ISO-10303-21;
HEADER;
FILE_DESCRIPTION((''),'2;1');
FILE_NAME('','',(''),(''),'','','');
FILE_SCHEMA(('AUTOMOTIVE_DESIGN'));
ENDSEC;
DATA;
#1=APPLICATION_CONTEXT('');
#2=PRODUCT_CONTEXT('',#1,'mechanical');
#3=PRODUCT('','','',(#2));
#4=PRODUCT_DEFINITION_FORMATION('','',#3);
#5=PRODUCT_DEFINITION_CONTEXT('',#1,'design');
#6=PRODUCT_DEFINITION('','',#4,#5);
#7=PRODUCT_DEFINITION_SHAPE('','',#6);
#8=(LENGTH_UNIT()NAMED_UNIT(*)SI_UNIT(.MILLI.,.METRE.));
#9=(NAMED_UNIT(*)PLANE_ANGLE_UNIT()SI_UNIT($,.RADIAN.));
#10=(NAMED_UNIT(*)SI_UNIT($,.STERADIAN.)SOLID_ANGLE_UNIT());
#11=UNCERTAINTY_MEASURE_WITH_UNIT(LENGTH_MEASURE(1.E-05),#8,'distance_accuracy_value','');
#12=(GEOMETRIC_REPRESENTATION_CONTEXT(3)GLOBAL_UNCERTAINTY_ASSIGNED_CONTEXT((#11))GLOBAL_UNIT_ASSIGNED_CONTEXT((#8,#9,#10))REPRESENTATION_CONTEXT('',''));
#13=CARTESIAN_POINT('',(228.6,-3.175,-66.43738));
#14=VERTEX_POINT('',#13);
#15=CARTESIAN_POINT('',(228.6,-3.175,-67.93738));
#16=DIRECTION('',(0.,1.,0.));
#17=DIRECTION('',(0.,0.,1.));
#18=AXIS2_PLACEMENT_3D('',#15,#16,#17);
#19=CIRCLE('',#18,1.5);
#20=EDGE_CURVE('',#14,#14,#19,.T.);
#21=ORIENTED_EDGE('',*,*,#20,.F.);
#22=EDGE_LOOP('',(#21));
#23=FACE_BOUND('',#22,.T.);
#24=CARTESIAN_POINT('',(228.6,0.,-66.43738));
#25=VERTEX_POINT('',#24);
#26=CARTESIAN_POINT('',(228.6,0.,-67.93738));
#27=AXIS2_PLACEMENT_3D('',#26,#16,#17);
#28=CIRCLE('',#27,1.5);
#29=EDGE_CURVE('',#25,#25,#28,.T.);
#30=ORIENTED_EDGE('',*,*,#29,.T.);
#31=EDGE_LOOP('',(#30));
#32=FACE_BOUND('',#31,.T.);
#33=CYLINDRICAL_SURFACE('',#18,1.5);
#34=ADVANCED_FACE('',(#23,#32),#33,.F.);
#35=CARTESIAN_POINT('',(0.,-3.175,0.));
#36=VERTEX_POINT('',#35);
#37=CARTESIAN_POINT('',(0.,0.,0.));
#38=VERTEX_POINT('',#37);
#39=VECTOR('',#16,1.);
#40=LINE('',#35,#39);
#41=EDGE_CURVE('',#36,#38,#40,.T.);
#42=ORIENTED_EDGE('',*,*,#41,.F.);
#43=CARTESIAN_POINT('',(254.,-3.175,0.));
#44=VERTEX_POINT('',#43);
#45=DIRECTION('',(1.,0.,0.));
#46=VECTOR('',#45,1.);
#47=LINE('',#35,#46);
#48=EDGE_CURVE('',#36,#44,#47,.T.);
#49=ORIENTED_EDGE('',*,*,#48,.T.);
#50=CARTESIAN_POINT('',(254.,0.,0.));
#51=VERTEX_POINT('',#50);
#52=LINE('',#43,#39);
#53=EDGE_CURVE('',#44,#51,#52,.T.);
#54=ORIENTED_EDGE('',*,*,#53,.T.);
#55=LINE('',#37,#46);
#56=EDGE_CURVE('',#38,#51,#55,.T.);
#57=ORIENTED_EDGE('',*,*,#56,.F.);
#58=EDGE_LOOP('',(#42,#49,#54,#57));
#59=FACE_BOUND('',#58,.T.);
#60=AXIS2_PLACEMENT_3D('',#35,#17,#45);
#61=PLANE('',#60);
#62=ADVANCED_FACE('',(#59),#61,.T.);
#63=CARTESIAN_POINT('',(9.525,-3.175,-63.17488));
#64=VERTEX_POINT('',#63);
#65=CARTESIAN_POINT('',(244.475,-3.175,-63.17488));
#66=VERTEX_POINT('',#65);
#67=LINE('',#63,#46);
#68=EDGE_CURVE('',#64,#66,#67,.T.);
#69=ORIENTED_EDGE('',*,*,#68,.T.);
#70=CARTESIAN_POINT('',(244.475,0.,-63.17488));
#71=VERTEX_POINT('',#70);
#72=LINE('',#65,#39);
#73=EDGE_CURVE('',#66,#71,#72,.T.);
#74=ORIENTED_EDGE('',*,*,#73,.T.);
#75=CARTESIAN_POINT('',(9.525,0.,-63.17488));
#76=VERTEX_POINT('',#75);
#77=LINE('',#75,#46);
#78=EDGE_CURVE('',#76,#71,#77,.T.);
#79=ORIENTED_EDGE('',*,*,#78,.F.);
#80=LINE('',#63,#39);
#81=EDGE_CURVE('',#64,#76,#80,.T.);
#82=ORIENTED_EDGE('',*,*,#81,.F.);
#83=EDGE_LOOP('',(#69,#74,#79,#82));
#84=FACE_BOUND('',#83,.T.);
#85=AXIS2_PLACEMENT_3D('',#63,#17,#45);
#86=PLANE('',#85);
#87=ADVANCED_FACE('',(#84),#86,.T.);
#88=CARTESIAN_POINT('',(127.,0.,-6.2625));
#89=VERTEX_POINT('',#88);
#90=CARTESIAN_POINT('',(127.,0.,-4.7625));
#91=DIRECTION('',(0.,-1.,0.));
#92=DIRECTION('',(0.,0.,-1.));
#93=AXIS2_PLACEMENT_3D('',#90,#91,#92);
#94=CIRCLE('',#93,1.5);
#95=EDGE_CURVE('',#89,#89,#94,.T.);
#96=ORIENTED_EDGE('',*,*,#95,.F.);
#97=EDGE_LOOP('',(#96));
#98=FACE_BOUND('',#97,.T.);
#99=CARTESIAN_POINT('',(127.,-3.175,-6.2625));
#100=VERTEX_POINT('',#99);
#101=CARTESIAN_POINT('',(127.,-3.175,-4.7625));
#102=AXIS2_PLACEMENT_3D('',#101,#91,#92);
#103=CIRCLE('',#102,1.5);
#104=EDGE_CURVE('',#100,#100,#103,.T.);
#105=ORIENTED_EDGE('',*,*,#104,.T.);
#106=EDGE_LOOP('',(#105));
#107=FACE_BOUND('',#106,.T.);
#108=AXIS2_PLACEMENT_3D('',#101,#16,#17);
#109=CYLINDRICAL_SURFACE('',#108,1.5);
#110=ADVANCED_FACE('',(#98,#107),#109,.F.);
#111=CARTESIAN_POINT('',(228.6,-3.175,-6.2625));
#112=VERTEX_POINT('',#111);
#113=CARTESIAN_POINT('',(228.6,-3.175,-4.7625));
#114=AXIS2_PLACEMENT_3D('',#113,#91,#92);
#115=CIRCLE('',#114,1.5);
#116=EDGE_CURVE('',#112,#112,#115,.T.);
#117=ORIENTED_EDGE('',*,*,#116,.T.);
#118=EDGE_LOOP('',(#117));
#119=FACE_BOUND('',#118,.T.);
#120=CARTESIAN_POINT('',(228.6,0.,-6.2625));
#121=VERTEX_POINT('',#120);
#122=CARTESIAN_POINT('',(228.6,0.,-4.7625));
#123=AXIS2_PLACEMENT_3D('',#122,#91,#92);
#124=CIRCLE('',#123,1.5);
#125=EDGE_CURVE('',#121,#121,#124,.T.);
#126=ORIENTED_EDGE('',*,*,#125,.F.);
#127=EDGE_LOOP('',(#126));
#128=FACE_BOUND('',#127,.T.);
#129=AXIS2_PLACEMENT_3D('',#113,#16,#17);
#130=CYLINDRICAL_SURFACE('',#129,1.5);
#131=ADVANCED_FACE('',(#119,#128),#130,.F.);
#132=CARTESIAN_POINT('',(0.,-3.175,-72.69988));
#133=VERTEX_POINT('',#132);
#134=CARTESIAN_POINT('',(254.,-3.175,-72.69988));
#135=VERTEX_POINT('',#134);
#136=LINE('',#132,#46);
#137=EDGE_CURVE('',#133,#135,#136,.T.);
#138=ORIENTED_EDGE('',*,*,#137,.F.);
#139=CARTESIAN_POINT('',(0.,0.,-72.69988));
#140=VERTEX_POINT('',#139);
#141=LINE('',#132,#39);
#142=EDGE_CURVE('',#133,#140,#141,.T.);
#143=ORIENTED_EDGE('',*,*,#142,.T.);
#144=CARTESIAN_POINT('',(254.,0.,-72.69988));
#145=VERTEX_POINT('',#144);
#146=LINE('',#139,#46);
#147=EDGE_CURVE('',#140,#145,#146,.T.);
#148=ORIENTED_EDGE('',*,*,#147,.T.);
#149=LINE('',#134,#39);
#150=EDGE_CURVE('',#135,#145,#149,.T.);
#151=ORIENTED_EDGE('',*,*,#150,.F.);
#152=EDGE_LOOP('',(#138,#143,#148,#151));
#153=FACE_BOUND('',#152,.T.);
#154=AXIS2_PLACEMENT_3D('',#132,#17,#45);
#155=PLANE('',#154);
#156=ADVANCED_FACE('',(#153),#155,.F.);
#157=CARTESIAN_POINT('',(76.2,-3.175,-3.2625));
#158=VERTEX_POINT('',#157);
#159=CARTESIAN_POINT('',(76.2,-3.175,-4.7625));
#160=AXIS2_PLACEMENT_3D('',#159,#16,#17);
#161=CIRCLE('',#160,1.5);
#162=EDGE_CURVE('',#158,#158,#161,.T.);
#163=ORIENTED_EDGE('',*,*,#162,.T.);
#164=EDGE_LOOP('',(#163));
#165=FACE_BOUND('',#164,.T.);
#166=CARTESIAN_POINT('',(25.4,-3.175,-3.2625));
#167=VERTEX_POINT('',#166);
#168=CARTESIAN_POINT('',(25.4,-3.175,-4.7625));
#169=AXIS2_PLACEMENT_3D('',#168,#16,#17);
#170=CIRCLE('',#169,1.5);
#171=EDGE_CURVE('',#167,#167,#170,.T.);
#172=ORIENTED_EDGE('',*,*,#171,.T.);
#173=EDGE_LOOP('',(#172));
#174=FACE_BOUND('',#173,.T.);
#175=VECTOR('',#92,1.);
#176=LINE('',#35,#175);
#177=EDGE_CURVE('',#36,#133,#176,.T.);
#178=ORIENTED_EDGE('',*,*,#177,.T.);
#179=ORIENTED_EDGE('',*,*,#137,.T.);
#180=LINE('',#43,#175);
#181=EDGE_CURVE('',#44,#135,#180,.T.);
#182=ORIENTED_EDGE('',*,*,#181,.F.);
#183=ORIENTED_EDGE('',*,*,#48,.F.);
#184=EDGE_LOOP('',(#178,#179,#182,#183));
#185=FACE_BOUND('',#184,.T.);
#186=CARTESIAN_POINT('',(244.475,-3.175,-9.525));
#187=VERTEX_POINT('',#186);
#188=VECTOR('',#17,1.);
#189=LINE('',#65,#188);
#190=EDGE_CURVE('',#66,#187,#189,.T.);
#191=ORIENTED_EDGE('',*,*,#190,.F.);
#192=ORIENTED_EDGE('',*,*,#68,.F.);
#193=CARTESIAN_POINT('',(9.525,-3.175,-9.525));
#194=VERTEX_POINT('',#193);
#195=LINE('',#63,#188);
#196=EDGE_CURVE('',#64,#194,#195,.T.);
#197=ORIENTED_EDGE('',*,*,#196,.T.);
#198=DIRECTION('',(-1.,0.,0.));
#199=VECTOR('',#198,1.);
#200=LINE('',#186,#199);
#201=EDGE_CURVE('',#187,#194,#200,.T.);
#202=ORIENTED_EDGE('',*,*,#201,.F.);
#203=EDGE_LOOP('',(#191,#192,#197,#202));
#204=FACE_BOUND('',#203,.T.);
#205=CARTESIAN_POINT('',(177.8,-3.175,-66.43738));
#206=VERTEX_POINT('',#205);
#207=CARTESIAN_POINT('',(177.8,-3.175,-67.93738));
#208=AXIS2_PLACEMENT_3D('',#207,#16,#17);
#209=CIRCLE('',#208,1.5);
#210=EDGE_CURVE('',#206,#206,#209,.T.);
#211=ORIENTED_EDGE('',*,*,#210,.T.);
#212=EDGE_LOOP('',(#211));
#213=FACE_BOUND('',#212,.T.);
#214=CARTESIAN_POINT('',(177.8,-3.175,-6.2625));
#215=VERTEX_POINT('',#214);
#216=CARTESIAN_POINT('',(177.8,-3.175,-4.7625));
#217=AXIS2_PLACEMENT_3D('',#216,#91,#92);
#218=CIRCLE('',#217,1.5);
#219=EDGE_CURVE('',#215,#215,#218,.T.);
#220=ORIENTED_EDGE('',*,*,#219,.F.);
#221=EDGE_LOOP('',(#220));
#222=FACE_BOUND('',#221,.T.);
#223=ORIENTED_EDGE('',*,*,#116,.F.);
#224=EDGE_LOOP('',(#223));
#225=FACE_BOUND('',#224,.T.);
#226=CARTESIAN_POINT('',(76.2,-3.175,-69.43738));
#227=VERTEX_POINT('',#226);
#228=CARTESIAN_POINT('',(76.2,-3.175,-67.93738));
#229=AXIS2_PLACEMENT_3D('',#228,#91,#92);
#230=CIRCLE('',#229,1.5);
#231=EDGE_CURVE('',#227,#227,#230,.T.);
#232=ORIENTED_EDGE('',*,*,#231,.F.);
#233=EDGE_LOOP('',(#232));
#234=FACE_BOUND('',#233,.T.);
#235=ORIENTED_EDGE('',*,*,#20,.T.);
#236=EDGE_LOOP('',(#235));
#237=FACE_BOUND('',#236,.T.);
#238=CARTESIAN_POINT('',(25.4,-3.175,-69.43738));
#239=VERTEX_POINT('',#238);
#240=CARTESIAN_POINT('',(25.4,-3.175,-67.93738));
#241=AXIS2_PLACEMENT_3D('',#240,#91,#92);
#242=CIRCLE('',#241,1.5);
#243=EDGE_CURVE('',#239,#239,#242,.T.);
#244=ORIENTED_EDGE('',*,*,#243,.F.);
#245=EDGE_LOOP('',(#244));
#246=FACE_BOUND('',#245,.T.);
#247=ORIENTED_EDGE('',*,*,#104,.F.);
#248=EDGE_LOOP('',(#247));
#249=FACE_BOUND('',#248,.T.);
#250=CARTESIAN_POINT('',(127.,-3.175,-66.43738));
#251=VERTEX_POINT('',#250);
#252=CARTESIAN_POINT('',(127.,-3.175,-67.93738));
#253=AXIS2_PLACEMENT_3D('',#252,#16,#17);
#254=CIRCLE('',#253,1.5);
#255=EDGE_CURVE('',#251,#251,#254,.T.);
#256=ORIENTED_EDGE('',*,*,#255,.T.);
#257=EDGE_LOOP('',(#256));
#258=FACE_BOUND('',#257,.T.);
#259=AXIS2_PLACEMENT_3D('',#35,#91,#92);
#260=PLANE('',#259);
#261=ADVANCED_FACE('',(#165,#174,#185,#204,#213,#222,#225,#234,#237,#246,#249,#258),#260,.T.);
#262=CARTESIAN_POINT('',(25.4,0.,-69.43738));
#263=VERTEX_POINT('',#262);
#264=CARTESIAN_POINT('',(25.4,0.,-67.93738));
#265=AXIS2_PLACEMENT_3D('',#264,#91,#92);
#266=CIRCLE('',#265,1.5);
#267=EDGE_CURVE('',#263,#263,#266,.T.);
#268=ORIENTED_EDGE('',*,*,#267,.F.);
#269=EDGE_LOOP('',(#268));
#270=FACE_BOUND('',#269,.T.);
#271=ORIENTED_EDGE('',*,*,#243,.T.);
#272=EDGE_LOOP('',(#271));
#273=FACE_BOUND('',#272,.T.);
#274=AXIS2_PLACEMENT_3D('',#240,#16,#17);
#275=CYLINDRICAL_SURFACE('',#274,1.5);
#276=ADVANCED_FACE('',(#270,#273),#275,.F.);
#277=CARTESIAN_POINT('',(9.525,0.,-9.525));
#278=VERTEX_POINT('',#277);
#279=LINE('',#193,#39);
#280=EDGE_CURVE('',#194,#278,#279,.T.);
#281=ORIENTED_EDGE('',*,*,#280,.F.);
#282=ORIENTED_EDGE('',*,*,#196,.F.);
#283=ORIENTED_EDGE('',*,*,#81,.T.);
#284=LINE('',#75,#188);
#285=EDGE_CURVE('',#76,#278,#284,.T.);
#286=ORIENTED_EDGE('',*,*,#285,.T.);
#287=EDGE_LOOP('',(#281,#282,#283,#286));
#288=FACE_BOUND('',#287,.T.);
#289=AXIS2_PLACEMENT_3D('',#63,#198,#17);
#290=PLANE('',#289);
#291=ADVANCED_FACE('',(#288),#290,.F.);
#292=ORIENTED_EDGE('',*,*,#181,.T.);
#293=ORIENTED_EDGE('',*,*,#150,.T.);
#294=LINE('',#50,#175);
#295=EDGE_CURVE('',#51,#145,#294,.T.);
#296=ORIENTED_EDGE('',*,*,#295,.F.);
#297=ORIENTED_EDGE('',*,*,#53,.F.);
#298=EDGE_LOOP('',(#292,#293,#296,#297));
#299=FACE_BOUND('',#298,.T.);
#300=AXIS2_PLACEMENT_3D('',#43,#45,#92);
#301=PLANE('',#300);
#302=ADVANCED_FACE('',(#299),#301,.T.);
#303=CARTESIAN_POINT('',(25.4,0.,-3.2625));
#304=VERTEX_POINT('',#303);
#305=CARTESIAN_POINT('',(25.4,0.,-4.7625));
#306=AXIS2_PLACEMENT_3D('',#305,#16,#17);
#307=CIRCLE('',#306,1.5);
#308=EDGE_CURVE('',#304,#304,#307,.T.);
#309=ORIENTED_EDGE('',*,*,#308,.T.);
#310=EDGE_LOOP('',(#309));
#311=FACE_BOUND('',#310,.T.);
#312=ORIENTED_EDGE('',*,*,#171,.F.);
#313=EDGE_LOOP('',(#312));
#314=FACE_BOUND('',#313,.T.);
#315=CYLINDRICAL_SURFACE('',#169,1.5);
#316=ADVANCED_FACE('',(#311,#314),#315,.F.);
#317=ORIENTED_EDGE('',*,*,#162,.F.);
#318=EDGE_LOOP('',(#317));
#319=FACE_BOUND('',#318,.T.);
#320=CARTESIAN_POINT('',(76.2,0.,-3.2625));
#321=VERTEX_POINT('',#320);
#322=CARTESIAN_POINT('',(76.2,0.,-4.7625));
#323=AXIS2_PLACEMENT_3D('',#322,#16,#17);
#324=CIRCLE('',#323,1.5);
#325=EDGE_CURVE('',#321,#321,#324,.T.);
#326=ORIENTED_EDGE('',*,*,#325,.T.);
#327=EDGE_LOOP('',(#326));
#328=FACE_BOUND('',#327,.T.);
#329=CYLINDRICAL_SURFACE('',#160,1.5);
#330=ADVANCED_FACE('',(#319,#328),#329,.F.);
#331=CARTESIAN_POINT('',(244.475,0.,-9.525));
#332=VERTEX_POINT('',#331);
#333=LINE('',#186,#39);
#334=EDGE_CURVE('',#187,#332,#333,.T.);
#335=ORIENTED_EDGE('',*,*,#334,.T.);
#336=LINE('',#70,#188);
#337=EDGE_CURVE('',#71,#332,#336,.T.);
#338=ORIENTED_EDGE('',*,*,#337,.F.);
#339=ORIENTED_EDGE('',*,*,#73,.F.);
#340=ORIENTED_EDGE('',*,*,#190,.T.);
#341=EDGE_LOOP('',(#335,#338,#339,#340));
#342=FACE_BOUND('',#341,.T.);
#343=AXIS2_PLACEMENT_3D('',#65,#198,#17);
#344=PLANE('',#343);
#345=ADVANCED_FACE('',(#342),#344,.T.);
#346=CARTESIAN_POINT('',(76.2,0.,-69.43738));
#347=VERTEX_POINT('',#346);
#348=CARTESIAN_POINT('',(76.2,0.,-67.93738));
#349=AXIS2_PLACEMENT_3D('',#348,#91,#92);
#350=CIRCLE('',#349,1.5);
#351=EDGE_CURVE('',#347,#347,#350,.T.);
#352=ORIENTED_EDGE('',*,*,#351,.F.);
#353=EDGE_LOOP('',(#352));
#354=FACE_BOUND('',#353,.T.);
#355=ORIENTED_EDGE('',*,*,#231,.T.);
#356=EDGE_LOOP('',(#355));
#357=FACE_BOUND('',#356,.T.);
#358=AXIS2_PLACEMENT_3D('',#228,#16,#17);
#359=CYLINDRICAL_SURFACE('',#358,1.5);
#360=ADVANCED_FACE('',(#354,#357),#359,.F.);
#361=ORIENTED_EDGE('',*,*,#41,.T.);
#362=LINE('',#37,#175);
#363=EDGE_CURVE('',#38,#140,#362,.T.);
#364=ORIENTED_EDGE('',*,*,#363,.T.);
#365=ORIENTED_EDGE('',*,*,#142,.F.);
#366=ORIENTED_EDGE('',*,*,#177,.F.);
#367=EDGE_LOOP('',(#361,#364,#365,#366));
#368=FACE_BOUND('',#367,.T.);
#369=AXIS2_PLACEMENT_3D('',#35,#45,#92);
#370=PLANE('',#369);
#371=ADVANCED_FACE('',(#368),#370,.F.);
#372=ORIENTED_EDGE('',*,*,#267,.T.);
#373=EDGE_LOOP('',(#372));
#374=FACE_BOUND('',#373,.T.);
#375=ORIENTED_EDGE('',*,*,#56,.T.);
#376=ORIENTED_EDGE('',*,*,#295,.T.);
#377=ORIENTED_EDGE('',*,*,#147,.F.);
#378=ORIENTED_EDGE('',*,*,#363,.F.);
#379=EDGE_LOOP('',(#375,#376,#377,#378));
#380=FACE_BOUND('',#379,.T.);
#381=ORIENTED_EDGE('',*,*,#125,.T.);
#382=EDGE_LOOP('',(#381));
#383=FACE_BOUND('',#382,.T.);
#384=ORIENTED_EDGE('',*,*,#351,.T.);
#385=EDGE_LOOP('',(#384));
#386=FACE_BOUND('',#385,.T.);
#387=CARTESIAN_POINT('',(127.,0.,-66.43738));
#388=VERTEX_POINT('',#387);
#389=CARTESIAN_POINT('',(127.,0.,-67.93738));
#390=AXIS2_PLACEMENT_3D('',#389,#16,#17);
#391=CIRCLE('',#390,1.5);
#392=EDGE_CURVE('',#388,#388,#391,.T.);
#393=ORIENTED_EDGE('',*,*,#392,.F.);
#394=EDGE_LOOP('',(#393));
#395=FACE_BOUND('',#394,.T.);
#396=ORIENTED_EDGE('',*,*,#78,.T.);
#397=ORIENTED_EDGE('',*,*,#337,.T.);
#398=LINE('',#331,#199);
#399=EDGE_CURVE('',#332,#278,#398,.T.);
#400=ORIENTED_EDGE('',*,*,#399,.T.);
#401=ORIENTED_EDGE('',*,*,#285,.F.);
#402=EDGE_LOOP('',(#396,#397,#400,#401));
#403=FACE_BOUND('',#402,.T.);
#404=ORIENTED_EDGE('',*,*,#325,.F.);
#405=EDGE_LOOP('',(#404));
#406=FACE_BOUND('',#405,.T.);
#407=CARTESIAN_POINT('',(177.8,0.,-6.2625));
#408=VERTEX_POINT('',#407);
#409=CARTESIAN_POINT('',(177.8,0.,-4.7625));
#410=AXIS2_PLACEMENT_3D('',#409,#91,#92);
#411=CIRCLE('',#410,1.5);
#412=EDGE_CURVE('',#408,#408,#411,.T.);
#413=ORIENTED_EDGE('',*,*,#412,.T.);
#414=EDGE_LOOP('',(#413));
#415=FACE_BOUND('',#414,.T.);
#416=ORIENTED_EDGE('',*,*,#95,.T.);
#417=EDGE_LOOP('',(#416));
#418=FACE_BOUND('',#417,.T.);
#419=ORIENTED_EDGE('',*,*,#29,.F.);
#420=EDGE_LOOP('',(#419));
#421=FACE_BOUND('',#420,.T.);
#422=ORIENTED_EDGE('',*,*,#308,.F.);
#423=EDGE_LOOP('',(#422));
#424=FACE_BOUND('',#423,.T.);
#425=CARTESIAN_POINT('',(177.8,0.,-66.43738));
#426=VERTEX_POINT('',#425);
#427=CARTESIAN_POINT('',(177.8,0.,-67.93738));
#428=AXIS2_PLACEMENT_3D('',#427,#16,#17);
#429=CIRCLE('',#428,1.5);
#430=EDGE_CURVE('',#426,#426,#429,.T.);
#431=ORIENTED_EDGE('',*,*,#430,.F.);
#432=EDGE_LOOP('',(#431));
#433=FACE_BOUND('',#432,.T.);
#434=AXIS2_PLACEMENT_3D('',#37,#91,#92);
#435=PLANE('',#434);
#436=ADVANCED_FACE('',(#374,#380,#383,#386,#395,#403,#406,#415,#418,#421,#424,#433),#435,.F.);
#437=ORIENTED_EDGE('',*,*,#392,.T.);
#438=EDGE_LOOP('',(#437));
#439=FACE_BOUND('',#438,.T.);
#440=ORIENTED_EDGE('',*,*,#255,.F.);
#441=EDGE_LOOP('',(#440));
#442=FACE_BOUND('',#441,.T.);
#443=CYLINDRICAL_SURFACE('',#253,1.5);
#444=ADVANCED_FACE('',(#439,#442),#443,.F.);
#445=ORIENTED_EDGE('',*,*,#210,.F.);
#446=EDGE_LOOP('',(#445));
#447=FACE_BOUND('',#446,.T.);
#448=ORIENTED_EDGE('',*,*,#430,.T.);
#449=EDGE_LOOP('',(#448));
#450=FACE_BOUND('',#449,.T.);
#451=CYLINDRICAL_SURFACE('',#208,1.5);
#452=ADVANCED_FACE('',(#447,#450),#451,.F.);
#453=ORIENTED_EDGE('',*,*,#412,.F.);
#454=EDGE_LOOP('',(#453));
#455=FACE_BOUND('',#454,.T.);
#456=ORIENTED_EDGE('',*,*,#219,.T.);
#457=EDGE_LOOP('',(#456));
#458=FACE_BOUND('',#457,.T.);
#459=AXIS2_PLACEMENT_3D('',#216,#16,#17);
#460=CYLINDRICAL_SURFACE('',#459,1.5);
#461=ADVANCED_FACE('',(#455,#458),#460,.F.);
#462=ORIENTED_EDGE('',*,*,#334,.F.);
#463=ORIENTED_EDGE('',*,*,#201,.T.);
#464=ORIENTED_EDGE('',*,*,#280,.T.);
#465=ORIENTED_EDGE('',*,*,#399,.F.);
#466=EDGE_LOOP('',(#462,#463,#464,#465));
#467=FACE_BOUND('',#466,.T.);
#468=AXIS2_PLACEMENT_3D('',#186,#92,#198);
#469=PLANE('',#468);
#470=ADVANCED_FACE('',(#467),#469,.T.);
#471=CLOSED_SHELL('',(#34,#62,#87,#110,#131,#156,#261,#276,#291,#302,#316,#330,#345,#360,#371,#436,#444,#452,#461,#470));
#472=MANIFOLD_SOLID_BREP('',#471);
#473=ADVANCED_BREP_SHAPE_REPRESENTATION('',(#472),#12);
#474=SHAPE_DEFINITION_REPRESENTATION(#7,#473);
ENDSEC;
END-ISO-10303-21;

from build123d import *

# Parameters (mm, degrees)
SKETCH1_W           = 254
SKETCH1_H           = 72.69988
SKETCH1_R           = 1.5
SKETCH1_W_2         = 234.95
SKETCH1_H_2         = 53.64988
BOSS_EXTRUDE1_DEPTH = 3.175


with BuildPart() as part:
    # Sketch1 → Boss-Extrude1 (new body)
    with BuildSketch(Plane(origin=(0, 0, 0), x_dir=(1, 0, 0), z_dir=(0, 1, 0))):
        with Locations((127, 36.34994)):
            Rectangle(SKETCH1_W, SKETCH1_H)
        with Locations(Location((177.8, 67.93738, 0), (0, 0, 270))):
            Circle(SKETCH1_R, mode=Mode.SUBTRACT)
        with Locations(Location((177.8, 4.7625, 0), (0, 0, 90))):
            Circle(SKETCH1_R, mode=Mode.SUBTRACT)
        with Locations(Location((228.6, 67.93738, 0), (0, 0, 270))):
            Circle(SKETCH1_R, mode=Mode.SUBTRACT)
        with Locations(Location((228.6, 4.7625, 0), (0, 0, 90))):
            Circle(SKETCH1_R, mode=Mode.SUBTRACT)
        with Locations(Location((127, 67.93738, 0), (0, 0, 270))):
            Circle(SKETCH1_R, mode=Mode.SUBTRACT)
        with Locations(Location((127, 4.7625, 0), (0, 0, 90))):
            Circle(SKETCH1_R, mode=Mode.SUBTRACT)
        with Locations(Location((25.4, 4.7625, 0), (0, 0, 270))):
            Circle(SKETCH1_R, mode=Mode.SUBTRACT)
        with Locations(Location((76.2, 4.7625, 0), (0, 0, 270))):
            Circle(SKETCH1_R, mode=Mode.SUBTRACT)
        with Locations(Location((25.4, 67.93738, 0), (0, 0, 90))):
            Circle(SKETCH1_R, mode=Mode.SUBTRACT)
        with Locations(Location((76.2, 67.93738, 0), (0, 0, 90))):
            Circle(SKETCH1_R, mode=Mode.SUBTRACT)
        with Locations((127, 36.34994)):
            Rectangle(SKETCH1_W_2, SKETCH1_H_2, mode=Mode.SUBTRACT)
    extrude(amount=-BOSS_EXTRUDE1_DEPTH)


solid = part.part
